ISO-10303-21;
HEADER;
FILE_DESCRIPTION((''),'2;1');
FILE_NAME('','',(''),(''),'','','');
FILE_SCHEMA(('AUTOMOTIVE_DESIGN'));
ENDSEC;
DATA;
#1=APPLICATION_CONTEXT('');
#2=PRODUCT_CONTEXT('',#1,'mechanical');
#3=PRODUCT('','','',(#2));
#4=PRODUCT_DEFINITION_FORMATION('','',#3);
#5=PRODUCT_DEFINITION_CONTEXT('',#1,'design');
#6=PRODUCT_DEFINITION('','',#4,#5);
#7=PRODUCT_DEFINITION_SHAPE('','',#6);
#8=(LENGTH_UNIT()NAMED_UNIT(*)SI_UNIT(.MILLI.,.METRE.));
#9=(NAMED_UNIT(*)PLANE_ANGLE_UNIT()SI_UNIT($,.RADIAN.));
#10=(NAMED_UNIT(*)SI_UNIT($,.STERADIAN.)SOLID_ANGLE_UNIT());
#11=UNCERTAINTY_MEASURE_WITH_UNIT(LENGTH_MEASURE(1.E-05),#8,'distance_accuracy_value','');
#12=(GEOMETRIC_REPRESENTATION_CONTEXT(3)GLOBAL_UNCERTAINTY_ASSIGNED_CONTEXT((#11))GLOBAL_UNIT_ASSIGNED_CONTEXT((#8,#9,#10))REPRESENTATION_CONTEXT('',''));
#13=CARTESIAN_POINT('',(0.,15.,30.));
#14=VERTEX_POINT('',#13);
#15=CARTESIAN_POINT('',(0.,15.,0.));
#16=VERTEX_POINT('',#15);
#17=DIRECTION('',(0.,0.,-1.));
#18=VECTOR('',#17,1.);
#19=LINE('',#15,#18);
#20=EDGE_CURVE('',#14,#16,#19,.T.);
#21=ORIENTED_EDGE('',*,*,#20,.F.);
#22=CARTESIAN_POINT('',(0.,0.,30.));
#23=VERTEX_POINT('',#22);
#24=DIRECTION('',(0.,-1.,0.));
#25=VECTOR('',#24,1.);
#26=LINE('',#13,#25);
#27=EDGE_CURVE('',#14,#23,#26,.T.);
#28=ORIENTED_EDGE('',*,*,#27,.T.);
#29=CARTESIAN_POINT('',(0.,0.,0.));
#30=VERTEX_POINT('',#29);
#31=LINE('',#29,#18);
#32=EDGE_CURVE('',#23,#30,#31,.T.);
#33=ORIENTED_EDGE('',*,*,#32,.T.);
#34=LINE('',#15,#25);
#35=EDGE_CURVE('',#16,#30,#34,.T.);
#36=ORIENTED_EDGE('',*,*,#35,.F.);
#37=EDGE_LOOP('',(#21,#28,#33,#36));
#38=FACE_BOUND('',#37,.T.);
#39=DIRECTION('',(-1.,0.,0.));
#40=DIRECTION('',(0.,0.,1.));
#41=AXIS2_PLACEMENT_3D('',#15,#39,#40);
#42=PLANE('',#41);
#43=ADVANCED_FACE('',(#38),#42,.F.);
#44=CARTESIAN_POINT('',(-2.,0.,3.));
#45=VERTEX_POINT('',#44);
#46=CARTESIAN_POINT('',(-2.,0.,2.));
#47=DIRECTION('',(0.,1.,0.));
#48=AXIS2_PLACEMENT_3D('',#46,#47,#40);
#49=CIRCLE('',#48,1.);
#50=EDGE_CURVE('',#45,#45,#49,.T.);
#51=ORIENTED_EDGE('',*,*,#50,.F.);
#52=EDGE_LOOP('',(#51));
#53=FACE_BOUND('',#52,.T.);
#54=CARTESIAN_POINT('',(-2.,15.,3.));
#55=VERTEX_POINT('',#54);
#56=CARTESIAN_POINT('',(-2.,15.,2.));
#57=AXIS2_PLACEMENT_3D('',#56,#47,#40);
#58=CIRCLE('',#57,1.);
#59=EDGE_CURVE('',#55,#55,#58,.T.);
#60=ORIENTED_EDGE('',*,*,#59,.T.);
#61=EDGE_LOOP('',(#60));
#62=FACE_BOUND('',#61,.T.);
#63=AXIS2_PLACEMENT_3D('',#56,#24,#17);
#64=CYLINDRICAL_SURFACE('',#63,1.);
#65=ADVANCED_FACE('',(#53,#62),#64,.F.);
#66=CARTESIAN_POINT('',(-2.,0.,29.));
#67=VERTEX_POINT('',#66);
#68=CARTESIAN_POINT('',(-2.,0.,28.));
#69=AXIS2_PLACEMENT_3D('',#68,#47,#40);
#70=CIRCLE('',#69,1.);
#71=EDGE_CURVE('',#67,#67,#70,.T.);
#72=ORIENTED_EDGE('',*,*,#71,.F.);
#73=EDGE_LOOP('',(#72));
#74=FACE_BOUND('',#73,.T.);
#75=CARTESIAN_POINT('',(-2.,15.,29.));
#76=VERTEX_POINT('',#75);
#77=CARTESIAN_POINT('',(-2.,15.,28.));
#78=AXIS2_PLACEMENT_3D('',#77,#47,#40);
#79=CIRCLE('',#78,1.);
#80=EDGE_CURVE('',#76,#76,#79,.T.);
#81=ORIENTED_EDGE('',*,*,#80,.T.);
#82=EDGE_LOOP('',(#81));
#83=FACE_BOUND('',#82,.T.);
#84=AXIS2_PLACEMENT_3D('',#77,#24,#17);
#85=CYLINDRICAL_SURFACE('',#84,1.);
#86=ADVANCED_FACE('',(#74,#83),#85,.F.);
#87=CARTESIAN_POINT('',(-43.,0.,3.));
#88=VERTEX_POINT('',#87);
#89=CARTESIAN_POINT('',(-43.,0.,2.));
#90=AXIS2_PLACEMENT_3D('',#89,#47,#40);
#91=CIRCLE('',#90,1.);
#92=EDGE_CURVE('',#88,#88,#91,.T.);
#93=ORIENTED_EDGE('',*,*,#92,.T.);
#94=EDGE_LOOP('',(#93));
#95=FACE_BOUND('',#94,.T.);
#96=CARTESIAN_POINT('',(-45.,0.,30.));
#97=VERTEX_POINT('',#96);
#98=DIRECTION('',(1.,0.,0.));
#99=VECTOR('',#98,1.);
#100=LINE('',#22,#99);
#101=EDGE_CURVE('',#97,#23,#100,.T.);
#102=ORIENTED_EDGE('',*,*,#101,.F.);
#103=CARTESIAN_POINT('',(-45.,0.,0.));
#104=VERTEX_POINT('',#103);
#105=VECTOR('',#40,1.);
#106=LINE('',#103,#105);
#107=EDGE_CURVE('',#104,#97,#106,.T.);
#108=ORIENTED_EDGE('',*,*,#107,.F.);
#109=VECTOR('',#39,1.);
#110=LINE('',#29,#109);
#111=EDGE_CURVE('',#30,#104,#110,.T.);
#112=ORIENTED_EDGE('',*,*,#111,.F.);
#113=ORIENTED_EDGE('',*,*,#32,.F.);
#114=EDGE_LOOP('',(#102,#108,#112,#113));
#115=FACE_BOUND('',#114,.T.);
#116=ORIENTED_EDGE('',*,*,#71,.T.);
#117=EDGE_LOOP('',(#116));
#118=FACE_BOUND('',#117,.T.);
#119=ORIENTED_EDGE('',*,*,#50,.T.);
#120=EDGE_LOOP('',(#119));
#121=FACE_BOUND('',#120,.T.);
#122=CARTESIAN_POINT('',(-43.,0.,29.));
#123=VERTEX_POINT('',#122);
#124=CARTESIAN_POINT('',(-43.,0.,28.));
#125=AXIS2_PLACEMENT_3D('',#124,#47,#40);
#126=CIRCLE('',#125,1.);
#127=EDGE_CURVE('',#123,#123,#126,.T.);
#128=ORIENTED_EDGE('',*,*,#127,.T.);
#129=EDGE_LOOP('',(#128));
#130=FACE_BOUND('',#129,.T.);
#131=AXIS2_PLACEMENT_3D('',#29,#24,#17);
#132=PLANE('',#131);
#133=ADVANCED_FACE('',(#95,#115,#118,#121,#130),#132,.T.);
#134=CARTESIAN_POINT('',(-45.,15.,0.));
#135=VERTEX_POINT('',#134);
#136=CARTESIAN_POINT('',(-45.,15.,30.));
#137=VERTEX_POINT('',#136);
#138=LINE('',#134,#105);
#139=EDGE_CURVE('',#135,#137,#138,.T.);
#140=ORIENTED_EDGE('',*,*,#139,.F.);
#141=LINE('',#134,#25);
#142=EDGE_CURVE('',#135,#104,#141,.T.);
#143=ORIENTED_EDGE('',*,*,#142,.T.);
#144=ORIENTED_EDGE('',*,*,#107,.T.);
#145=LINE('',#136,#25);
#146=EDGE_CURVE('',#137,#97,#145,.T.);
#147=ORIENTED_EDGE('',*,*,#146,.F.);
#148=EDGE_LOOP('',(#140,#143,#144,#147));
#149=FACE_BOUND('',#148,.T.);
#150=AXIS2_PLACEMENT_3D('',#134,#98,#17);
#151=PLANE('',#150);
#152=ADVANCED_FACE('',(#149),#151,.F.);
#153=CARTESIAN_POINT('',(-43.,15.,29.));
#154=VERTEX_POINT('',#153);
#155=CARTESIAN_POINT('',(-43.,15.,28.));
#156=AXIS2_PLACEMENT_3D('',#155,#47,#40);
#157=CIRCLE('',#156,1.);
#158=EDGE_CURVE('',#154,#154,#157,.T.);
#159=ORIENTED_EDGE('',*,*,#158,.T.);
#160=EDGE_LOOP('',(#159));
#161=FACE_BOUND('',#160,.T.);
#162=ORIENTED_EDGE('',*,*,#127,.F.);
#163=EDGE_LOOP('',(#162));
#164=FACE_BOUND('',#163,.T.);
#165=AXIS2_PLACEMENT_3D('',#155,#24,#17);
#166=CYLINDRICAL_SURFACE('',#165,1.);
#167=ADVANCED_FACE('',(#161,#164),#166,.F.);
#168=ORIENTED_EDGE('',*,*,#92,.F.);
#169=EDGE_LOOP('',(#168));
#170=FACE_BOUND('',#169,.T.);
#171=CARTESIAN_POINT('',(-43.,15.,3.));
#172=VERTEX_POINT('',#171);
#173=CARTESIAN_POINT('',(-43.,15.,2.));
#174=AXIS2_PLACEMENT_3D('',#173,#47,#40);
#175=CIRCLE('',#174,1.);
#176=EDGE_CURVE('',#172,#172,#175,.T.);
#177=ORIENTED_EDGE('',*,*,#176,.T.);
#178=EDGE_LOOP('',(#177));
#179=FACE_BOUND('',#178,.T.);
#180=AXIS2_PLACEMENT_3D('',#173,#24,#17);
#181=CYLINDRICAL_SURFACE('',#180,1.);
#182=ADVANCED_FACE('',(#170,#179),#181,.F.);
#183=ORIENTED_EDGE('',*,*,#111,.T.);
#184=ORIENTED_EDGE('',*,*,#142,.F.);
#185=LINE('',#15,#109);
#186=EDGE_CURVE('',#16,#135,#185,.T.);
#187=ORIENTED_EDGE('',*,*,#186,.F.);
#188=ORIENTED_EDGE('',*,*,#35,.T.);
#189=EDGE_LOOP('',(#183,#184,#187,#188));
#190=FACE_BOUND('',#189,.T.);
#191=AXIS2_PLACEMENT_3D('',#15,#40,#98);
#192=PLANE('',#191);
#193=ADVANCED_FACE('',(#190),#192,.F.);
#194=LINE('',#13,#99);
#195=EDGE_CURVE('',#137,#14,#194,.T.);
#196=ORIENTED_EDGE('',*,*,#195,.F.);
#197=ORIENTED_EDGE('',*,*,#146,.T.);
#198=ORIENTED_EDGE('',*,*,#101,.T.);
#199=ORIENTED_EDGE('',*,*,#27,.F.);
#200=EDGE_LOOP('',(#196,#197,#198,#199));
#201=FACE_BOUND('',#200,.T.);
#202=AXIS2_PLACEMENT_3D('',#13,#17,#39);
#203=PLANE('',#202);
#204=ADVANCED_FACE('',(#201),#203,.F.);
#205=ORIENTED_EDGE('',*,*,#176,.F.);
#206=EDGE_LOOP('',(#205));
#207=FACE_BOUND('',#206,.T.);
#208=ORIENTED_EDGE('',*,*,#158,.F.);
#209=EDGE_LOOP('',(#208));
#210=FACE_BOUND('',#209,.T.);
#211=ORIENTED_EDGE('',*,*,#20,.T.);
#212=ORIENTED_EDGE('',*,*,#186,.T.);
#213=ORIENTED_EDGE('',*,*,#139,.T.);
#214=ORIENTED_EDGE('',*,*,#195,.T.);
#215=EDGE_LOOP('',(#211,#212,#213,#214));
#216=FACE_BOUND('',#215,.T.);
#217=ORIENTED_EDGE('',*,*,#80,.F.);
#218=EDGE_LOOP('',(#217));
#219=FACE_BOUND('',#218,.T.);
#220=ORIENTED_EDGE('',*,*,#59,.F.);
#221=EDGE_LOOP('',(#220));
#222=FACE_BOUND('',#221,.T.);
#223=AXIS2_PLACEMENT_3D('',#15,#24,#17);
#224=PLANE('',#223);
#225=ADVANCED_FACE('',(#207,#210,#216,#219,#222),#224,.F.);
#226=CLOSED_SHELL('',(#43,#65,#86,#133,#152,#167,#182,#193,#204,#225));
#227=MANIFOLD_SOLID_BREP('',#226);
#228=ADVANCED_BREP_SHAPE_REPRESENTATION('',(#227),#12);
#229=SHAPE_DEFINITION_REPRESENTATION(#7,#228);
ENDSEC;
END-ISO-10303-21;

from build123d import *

# Parameters (mm, degrees)
SKETCH1_W           = 45
SKETCH1_H           = 30
SKETCH1_R           = 1
BOSS_EXTRUDE1_DEPTH = 15


with BuildPart() as part:
    # Sketch1 → Boss-Extrude1 (new body)
    with BuildSketch(Plane(origin=(0, 0, 0), x_dir=(1, 0, 0), z_dir=(0, 1, 0))):
        with Locations((-22.5, -15)):
            Rectangle(SKETCH1_W, SKETCH1_H)
        with Locations((-43, -2)):
            Circle(SKETCH1_R, mode=Mode.SUBTRACT)
        with Locations((-2, -2)):
            Circle(SKETCH1_R, mode=Mode.SUBTRACT)
        with Locations((-43, -28)):
            Circle(SKETCH1_R, mode=Mode.SUBTRACT)
        with Locations((-2, -28)):
            Circle(SKETCH1_R, mode=Mode.SUBTRACT)
    extrude(amount=BOSS_EXTRUDE1_DEPTH)


solid = part.part
